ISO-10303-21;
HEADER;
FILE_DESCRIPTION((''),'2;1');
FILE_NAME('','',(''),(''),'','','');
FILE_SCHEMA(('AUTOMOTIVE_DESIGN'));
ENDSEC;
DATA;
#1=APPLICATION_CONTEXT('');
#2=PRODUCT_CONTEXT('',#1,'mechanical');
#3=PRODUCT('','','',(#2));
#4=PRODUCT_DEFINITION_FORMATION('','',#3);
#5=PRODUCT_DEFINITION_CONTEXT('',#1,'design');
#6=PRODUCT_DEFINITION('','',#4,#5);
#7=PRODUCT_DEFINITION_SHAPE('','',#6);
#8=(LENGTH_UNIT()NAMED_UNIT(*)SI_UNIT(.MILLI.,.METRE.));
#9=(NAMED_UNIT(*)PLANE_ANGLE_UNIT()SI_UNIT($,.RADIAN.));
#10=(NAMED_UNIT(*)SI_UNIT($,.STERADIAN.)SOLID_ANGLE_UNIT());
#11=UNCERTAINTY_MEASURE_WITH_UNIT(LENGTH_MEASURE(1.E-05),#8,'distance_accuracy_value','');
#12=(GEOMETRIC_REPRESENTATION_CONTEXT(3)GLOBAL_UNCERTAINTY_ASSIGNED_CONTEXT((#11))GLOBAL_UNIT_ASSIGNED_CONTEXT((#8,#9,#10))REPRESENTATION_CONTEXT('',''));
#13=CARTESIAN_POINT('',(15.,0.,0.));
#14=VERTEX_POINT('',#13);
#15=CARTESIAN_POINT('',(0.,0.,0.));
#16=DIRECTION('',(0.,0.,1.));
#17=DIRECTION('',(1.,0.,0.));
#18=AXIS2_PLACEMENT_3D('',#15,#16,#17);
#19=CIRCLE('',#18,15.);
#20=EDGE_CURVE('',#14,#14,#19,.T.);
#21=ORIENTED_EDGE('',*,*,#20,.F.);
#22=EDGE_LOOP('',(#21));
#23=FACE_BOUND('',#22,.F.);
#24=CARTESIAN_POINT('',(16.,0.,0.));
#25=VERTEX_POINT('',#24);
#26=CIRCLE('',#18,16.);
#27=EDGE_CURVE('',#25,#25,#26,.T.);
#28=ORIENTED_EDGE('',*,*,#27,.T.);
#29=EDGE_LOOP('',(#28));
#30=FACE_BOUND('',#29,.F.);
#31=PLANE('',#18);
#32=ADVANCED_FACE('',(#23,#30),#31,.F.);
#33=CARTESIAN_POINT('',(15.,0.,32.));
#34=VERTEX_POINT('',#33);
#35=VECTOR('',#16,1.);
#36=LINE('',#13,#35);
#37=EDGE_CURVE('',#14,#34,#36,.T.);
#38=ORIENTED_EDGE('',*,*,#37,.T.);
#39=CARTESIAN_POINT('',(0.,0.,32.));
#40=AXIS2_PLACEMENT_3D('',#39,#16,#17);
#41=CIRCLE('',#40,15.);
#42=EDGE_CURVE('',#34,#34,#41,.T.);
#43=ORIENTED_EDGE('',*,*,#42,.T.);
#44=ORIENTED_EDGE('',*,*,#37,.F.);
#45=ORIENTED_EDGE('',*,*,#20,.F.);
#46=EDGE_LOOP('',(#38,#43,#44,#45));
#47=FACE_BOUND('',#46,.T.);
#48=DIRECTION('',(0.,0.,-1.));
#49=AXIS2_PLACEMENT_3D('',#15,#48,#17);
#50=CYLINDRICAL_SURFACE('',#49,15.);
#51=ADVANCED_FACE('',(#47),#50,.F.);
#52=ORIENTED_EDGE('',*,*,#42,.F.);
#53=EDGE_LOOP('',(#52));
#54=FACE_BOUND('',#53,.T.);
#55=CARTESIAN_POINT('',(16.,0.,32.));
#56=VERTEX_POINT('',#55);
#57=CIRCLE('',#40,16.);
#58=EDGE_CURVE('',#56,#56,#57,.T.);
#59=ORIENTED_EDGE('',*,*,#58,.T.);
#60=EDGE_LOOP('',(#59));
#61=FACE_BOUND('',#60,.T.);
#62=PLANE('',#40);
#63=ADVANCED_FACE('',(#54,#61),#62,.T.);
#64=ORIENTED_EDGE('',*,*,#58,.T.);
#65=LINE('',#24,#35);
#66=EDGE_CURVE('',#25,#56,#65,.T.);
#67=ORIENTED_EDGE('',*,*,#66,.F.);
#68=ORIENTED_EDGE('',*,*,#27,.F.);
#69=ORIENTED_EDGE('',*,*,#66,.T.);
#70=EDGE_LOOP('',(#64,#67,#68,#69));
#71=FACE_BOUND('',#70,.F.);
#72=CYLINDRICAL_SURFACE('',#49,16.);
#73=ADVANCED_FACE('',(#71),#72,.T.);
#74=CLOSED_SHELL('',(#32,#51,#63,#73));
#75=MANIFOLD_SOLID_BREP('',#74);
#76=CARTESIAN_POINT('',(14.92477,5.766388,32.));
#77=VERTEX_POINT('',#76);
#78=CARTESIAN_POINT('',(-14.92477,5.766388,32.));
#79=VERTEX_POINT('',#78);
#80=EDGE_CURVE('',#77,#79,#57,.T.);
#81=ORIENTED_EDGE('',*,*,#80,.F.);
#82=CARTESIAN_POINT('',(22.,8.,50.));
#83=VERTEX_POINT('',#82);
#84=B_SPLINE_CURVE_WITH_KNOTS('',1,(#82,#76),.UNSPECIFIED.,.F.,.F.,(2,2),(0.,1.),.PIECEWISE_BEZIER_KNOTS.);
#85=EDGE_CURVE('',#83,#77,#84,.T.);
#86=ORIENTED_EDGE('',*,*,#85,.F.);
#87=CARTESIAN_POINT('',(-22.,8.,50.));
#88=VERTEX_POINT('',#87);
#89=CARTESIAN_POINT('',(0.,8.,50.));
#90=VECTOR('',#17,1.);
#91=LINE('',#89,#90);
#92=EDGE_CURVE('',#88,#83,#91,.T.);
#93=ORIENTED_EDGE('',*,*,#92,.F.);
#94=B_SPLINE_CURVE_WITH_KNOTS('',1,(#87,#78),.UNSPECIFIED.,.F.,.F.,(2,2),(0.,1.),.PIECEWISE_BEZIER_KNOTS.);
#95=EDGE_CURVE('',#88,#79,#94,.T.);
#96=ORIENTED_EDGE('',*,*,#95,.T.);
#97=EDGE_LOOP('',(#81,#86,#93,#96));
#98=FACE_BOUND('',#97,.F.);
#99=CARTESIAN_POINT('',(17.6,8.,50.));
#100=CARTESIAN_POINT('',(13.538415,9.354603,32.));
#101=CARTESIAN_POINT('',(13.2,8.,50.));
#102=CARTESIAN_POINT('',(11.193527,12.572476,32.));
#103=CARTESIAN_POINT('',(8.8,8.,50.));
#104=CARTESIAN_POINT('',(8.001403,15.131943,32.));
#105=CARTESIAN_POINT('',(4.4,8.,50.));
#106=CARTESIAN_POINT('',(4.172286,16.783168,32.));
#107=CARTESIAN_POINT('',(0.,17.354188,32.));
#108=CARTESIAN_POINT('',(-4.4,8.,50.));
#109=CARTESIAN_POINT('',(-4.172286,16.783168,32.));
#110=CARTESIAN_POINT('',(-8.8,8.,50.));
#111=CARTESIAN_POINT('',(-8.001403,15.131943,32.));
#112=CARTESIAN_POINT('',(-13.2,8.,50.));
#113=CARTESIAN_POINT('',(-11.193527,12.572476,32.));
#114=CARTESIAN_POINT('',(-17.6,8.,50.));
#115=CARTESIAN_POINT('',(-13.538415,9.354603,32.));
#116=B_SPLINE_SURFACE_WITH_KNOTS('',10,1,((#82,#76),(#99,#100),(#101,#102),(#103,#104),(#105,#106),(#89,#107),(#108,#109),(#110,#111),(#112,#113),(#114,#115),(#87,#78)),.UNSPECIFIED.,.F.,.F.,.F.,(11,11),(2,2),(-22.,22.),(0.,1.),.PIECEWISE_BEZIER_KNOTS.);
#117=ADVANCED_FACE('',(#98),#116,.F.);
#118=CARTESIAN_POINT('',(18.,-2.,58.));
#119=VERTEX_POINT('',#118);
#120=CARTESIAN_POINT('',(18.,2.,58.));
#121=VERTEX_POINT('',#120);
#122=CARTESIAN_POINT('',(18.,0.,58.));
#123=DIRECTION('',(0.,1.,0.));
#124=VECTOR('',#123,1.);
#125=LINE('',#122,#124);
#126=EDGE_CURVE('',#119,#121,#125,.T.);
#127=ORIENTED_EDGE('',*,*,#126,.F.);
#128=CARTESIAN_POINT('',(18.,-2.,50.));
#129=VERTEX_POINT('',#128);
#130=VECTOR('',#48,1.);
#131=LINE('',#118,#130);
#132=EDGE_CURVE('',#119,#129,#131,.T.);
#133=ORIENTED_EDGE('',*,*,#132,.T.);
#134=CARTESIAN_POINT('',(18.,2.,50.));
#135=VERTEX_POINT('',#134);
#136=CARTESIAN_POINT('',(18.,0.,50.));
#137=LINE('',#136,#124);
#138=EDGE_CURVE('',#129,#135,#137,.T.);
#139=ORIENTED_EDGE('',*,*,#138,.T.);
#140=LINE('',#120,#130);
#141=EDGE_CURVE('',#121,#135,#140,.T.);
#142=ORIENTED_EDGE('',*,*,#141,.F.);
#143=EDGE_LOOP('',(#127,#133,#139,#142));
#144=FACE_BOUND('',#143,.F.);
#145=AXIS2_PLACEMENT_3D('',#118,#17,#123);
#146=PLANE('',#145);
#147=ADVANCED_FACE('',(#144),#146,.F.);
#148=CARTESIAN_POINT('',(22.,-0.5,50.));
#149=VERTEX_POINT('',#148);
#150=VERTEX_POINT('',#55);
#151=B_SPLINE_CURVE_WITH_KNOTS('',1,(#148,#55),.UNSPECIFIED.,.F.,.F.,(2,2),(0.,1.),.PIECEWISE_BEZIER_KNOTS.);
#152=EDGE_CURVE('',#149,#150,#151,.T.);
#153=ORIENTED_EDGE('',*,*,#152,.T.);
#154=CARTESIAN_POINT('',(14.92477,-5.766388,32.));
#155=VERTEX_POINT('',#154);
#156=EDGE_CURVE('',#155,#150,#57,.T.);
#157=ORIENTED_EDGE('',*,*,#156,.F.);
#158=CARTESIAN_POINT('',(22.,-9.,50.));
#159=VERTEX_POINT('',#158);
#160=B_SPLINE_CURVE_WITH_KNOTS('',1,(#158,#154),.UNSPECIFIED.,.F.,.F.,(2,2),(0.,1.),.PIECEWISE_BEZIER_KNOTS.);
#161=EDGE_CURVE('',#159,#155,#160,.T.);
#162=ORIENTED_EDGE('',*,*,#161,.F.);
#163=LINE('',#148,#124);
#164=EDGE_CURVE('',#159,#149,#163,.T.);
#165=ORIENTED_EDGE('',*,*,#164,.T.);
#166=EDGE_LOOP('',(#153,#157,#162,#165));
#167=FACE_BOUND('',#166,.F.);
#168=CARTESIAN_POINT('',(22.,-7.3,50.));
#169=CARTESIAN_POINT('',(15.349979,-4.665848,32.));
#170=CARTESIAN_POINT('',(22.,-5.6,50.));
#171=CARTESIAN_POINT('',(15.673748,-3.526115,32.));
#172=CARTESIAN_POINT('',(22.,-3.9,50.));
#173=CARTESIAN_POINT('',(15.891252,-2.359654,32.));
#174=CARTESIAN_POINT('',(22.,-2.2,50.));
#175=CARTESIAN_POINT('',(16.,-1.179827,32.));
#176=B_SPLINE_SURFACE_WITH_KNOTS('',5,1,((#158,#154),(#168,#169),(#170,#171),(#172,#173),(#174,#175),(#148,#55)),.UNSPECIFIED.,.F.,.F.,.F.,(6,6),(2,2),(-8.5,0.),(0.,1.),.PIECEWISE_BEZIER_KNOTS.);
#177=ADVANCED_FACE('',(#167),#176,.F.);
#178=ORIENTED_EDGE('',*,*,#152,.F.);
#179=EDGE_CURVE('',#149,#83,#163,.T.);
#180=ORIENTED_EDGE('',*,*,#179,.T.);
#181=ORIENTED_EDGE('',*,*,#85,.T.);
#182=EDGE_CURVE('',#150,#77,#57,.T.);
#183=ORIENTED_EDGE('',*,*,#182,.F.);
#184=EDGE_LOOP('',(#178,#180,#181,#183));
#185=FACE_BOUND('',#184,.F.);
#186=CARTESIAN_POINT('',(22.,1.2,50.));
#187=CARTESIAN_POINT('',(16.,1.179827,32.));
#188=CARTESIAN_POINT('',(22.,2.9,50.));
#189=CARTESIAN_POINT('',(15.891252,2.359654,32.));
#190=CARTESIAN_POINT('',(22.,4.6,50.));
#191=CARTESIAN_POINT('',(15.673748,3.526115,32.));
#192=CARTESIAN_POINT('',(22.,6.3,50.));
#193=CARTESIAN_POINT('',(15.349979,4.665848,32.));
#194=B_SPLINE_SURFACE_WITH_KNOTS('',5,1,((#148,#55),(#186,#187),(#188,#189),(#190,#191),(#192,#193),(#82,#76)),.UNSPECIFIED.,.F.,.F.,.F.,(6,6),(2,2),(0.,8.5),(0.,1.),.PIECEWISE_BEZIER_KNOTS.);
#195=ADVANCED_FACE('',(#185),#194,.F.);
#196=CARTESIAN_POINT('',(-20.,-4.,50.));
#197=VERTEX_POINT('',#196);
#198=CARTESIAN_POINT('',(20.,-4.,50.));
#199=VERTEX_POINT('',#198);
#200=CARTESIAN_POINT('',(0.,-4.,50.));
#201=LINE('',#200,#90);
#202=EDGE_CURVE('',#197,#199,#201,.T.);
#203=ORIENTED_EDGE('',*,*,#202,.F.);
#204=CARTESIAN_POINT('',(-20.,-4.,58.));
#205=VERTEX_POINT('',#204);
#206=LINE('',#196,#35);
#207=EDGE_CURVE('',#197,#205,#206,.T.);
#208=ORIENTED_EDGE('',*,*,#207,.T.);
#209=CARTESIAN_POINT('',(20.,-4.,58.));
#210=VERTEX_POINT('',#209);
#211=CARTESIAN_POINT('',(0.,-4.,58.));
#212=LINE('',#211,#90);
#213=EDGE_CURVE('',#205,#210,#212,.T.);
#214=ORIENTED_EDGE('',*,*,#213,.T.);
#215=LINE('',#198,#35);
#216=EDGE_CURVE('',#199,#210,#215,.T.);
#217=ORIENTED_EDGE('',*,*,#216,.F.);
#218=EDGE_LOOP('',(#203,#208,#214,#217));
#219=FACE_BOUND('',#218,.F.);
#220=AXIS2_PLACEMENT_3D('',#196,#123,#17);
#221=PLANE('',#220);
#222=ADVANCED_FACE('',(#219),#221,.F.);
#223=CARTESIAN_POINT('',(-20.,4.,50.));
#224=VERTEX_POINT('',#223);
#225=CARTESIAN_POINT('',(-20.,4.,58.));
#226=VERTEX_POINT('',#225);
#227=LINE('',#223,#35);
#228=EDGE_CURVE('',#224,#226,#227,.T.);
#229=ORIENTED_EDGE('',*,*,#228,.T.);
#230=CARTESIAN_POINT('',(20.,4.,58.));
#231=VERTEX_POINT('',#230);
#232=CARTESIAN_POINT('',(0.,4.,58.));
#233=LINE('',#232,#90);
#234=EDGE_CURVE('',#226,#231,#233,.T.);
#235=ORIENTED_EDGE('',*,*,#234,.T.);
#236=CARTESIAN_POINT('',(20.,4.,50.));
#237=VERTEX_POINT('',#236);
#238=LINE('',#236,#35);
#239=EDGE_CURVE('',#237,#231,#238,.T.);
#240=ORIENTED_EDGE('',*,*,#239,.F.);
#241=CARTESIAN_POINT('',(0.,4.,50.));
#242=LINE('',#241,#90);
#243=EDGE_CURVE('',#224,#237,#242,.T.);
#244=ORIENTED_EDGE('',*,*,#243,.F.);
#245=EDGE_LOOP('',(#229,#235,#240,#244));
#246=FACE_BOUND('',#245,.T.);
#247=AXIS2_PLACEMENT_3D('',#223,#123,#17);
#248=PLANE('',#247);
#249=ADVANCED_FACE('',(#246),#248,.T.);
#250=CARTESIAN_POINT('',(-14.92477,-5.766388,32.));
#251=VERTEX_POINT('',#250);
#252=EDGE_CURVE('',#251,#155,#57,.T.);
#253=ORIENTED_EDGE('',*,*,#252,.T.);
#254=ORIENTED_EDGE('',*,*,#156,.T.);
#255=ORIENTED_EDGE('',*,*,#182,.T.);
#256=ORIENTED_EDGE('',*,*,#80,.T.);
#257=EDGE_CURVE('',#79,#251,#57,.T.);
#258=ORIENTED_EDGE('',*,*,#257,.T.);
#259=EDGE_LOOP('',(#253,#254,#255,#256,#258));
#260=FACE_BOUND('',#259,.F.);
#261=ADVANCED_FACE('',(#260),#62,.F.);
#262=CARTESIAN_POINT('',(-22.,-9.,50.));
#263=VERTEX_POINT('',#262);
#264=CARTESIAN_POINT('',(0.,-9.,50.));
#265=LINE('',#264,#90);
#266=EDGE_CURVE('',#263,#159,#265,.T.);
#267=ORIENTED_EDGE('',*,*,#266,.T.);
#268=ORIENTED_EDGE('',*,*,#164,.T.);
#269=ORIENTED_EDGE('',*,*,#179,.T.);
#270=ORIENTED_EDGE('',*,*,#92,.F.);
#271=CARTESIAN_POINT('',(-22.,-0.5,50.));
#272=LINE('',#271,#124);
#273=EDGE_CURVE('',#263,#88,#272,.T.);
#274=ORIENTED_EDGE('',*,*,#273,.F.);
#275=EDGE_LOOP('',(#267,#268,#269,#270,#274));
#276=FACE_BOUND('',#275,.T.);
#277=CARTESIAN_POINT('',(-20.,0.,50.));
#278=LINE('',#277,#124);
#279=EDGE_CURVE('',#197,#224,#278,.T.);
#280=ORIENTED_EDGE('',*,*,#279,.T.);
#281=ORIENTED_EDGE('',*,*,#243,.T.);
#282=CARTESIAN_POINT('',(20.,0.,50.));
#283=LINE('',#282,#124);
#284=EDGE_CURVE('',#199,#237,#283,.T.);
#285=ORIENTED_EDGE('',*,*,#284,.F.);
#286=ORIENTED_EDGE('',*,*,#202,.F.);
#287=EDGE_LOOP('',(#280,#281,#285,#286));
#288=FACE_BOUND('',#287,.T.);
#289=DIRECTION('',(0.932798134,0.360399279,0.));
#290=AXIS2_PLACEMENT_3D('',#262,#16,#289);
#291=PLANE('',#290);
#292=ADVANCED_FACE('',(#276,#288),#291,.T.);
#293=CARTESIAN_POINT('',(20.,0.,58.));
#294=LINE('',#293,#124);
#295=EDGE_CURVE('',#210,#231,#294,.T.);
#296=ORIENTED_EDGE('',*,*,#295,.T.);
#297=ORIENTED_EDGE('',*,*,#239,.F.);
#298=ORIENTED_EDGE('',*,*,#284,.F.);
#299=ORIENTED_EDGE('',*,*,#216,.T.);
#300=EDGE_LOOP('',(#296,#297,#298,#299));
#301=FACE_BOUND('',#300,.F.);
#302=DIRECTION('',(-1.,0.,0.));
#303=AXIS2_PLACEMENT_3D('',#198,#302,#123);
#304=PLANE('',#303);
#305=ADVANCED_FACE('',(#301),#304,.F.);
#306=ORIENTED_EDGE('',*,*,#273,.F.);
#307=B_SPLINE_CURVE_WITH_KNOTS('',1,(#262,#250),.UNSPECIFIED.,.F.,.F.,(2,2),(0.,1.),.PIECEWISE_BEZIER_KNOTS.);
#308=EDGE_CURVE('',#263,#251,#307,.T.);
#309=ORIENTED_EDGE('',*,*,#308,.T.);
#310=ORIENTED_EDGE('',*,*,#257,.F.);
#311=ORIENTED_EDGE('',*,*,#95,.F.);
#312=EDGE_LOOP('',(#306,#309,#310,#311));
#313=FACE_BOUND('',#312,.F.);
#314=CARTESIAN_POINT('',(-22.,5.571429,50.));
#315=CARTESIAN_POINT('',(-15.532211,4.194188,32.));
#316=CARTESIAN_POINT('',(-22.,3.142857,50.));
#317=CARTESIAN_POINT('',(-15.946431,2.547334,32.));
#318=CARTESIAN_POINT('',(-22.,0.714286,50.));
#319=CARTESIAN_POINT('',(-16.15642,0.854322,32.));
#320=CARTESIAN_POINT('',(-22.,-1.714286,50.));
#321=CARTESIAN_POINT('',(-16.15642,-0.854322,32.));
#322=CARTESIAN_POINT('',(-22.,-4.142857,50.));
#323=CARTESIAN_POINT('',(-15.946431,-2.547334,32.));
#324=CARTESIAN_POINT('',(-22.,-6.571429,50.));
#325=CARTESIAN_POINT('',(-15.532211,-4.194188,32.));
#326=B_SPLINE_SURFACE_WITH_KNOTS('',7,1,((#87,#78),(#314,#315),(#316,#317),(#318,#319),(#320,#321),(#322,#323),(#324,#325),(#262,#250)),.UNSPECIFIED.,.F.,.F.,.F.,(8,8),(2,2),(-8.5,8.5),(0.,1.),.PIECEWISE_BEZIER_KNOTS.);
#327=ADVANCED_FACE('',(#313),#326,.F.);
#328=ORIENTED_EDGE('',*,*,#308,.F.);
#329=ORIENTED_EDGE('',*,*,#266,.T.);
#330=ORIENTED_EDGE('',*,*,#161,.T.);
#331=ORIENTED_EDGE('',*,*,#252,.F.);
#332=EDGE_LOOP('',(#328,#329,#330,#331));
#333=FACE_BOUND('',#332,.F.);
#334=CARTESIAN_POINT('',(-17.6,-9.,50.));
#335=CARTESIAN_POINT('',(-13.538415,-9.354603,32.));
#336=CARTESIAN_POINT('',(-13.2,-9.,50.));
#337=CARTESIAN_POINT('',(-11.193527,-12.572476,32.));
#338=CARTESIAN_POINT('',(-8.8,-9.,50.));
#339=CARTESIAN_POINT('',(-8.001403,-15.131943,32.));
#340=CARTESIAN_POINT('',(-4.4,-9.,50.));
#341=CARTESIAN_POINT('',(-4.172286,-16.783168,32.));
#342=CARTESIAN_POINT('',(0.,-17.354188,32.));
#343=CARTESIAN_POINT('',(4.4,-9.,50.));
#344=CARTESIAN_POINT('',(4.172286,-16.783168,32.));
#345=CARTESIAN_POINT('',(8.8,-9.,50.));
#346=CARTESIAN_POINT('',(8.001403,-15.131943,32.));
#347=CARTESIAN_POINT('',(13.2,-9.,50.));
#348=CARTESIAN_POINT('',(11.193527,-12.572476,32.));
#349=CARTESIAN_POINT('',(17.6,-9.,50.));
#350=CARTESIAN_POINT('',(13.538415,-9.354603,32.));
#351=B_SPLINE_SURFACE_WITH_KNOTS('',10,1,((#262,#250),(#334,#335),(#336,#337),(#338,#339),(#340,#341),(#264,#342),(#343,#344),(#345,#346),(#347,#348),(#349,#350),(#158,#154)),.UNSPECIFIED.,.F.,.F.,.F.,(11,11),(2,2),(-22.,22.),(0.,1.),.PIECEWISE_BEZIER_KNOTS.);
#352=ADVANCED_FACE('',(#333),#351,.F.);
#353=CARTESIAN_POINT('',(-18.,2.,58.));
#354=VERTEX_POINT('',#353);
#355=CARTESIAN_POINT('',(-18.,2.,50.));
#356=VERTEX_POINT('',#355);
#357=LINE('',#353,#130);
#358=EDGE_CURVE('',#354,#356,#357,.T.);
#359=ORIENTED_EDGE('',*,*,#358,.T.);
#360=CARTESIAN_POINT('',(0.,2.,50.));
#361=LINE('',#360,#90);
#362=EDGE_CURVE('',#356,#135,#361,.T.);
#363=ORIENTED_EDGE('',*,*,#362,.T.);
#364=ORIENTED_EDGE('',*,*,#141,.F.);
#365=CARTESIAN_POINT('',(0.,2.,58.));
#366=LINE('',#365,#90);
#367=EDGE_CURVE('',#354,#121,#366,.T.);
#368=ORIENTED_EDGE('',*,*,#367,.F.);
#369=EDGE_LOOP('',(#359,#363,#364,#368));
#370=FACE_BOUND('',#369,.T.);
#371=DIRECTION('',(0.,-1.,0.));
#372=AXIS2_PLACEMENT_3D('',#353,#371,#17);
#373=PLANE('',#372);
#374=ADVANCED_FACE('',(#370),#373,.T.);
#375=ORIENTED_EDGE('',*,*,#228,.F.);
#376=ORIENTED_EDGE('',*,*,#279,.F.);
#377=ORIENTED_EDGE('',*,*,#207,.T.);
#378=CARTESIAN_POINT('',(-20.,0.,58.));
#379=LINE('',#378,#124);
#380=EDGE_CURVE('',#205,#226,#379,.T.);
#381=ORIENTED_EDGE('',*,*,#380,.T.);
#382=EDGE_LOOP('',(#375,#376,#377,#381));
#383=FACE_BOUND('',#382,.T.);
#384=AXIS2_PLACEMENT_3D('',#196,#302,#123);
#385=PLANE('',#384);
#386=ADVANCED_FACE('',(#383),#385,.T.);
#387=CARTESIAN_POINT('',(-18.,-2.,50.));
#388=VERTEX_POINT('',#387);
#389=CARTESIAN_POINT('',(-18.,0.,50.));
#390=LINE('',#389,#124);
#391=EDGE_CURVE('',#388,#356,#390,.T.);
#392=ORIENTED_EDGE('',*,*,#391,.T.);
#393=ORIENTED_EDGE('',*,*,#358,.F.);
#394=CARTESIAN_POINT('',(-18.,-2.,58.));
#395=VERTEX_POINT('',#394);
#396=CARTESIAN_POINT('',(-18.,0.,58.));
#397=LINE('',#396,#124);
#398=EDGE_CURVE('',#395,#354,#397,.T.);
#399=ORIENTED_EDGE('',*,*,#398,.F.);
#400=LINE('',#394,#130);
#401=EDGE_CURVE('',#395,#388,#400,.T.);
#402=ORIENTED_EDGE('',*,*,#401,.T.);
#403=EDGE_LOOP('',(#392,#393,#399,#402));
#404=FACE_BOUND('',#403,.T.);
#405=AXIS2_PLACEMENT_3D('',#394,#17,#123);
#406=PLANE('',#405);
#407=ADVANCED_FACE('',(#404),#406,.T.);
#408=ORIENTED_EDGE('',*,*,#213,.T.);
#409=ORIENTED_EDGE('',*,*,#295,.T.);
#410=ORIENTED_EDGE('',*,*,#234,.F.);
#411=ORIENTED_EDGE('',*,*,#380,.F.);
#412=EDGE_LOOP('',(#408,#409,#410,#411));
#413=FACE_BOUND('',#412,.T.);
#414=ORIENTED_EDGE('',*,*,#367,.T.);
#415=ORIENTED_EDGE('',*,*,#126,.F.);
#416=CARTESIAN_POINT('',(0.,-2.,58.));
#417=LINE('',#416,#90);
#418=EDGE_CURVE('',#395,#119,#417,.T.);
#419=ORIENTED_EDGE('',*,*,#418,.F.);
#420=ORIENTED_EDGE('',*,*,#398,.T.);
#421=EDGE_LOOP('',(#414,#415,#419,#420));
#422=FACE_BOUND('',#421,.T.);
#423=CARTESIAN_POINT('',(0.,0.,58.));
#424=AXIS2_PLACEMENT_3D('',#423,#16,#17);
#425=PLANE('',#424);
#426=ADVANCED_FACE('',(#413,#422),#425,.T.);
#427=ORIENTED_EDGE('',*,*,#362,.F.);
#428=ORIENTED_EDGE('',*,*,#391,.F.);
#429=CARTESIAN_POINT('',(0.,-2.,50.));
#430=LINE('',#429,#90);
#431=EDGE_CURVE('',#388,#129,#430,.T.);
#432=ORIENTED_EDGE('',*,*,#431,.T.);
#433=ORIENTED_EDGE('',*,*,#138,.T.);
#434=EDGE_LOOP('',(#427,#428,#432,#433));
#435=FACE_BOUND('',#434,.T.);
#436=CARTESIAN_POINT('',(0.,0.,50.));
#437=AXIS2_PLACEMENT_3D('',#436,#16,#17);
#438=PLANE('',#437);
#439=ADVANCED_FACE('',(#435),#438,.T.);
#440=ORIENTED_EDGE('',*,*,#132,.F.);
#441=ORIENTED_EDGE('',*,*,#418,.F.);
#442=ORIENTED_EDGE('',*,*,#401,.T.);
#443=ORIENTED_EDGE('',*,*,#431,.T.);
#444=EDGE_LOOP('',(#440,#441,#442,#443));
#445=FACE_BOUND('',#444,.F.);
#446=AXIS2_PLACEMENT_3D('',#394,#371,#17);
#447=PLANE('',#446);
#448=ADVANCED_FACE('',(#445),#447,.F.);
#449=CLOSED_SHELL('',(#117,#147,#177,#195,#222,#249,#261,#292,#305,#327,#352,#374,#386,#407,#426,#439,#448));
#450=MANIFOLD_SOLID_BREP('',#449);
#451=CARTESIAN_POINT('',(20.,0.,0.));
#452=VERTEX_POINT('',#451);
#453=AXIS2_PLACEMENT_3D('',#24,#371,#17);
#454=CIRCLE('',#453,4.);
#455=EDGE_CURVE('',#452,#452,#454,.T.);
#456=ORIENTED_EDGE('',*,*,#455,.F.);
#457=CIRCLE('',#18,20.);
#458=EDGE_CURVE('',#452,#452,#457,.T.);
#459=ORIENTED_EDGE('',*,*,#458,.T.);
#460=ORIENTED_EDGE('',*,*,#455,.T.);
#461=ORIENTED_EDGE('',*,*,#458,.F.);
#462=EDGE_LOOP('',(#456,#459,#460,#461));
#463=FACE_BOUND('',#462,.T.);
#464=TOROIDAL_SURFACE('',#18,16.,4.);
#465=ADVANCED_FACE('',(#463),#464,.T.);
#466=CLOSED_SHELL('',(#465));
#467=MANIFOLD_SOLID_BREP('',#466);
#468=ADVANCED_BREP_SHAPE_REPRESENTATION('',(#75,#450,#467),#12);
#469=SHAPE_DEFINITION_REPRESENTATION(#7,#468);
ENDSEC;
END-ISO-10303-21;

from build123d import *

# Parameters (mm, degrees)
SKETCH002_W       = 44
SKETCH002_H       = 17
SKETCH001_R       = 16
SKETCH005_W       = 40
SKETCH005_H       = 8
PAD_DEPTH         = 8
SKETCH006_W       = 36
SKETCH006_H       = 4
POCKET_DEPTH      = 8
TORUS_R           = 4
CYLINDER001_R     = 15
CYLINDER001_DEPTH = 32
CYLINDER_R        = 16
CYLINDER_DEPTH    = 32


with BuildPart() as body:
    # Sketch002 (on DatumPlane) → AdditiveLoft section 0
    with BuildSketch(Plane.XY.offset(50)):
        with Locations((0, -0.5)):
            Rectangle(SKETCH002_W, SKETCH002_H)
    # Sketch001 → AdditiveLoft section 1
    with BuildSketch(Plane.XY.offset(32)):
        Circle(SKETCH001_R)
    loft(ruled=True)

    # Sketch005 → Pad (new body)
    with BuildSketch(Plane.XY.offset(50)):
        Rectangle(SKETCH005_W, SKETCH005_H)
    extrude(amount=PAD_DEPTH)

    # Sketch006 → Pocket (cut)
    with BuildSketch(Plane.XY.offset(58)):
        Rectangle(SKETCH006_W, SKETCH006_H)
    extrude(amount=-POCKET_DEPTH, mode=Mode.SUBTRACT)


with BuildPart() as torus:
    # Torus → Torus (revolve)
    with BuildSketch(Plane.XZ):
        with Locations((16, 0)):
            Circle(TORUS_R)
    revolve(axis=Axis((0, 0, 0), (0, 0, 1)))


with BuildPart() as cylinder001:
    # Cylinder001 → Cylinder001 (new body)
    with BuildSketch(Plane.XY):
        Circle(CYLINDER001_R)
    extrude(amount=CYLINDER001_DEPTH)


with BuildPart() as cut:
    # Cylinder → Cylinder (new body)
    with BuildSketch(Plane.XY):
        Circle(CYLINDER_R)
    extrude(amount=CYLINDER_DEPTH)

    # Cut: cut Cylinder001
    add(cylinder001.part, mode=Mode.SUBTRACT)


solid = Compound([body.part, torus.part, cut.part])
